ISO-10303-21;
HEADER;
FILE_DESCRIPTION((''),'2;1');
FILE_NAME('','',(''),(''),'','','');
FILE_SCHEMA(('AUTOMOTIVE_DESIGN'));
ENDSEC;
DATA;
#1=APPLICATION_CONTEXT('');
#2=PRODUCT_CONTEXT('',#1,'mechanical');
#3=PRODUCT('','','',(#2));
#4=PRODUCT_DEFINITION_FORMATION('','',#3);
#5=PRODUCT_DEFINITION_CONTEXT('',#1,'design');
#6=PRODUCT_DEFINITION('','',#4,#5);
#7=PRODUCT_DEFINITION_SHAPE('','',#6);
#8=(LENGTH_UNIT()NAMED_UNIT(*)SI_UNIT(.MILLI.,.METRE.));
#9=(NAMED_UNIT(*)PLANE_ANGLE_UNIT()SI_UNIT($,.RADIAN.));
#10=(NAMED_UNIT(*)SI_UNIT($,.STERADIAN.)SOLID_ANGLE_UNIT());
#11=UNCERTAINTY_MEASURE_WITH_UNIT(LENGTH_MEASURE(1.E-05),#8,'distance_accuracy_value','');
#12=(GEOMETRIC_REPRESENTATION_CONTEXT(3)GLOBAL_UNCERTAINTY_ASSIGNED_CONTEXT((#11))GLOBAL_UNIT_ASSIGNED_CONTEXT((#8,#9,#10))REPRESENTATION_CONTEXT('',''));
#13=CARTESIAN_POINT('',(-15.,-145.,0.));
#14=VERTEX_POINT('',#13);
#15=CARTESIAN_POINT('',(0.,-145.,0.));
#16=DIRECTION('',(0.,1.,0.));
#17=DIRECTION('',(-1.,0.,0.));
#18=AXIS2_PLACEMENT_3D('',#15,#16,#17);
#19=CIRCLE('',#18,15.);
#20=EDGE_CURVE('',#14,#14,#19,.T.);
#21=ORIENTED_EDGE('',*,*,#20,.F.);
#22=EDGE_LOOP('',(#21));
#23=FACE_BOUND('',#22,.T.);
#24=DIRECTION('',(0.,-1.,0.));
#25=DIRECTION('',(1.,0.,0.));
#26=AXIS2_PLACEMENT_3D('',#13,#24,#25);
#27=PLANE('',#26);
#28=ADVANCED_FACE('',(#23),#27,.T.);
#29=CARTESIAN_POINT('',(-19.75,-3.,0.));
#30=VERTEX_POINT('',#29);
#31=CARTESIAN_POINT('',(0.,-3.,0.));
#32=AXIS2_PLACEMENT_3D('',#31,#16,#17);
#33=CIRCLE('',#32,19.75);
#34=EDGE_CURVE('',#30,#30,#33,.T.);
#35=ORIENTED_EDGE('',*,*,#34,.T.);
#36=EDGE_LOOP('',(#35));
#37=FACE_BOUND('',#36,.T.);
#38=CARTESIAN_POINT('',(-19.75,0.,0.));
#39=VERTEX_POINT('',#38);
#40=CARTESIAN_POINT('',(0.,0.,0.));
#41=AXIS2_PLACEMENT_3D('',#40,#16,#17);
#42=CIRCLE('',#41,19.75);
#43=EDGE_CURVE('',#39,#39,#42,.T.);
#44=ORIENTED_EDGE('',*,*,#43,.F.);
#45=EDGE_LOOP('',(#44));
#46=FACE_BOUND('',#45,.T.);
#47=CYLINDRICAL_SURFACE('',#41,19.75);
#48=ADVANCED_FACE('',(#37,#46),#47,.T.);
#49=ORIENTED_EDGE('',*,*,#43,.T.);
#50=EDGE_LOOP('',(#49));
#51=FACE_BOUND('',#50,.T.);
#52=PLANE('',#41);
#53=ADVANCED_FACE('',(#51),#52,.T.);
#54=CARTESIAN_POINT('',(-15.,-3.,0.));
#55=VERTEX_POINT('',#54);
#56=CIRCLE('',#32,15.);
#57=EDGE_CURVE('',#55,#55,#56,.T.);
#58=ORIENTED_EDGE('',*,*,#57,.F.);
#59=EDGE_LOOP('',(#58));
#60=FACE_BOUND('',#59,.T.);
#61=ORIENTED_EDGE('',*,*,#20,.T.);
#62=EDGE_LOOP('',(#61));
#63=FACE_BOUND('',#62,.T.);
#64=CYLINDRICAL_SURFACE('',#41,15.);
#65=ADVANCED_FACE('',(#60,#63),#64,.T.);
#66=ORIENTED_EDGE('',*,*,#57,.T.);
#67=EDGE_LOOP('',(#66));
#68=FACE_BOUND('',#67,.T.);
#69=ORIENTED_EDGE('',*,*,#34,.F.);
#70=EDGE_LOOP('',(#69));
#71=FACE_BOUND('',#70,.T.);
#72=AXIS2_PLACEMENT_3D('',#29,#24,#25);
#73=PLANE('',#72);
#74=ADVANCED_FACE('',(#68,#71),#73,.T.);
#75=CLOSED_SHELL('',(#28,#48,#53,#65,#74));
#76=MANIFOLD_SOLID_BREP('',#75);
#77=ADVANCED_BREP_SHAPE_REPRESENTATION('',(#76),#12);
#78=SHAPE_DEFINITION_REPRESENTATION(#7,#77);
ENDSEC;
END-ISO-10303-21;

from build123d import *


with BuildPart() as part:
    # Szkic1 → Obrót1 (revolve)
    with BuildSketch(Plane.XY):
        Polygon((0, 0), (-19.75, 0), (-19.75, -3), (-15, -3), (-15, -145), (0, -145), align=None)
    revolve(axis=Axis((0, 0, 0), (0, -1, 0)))


solid = part.part
